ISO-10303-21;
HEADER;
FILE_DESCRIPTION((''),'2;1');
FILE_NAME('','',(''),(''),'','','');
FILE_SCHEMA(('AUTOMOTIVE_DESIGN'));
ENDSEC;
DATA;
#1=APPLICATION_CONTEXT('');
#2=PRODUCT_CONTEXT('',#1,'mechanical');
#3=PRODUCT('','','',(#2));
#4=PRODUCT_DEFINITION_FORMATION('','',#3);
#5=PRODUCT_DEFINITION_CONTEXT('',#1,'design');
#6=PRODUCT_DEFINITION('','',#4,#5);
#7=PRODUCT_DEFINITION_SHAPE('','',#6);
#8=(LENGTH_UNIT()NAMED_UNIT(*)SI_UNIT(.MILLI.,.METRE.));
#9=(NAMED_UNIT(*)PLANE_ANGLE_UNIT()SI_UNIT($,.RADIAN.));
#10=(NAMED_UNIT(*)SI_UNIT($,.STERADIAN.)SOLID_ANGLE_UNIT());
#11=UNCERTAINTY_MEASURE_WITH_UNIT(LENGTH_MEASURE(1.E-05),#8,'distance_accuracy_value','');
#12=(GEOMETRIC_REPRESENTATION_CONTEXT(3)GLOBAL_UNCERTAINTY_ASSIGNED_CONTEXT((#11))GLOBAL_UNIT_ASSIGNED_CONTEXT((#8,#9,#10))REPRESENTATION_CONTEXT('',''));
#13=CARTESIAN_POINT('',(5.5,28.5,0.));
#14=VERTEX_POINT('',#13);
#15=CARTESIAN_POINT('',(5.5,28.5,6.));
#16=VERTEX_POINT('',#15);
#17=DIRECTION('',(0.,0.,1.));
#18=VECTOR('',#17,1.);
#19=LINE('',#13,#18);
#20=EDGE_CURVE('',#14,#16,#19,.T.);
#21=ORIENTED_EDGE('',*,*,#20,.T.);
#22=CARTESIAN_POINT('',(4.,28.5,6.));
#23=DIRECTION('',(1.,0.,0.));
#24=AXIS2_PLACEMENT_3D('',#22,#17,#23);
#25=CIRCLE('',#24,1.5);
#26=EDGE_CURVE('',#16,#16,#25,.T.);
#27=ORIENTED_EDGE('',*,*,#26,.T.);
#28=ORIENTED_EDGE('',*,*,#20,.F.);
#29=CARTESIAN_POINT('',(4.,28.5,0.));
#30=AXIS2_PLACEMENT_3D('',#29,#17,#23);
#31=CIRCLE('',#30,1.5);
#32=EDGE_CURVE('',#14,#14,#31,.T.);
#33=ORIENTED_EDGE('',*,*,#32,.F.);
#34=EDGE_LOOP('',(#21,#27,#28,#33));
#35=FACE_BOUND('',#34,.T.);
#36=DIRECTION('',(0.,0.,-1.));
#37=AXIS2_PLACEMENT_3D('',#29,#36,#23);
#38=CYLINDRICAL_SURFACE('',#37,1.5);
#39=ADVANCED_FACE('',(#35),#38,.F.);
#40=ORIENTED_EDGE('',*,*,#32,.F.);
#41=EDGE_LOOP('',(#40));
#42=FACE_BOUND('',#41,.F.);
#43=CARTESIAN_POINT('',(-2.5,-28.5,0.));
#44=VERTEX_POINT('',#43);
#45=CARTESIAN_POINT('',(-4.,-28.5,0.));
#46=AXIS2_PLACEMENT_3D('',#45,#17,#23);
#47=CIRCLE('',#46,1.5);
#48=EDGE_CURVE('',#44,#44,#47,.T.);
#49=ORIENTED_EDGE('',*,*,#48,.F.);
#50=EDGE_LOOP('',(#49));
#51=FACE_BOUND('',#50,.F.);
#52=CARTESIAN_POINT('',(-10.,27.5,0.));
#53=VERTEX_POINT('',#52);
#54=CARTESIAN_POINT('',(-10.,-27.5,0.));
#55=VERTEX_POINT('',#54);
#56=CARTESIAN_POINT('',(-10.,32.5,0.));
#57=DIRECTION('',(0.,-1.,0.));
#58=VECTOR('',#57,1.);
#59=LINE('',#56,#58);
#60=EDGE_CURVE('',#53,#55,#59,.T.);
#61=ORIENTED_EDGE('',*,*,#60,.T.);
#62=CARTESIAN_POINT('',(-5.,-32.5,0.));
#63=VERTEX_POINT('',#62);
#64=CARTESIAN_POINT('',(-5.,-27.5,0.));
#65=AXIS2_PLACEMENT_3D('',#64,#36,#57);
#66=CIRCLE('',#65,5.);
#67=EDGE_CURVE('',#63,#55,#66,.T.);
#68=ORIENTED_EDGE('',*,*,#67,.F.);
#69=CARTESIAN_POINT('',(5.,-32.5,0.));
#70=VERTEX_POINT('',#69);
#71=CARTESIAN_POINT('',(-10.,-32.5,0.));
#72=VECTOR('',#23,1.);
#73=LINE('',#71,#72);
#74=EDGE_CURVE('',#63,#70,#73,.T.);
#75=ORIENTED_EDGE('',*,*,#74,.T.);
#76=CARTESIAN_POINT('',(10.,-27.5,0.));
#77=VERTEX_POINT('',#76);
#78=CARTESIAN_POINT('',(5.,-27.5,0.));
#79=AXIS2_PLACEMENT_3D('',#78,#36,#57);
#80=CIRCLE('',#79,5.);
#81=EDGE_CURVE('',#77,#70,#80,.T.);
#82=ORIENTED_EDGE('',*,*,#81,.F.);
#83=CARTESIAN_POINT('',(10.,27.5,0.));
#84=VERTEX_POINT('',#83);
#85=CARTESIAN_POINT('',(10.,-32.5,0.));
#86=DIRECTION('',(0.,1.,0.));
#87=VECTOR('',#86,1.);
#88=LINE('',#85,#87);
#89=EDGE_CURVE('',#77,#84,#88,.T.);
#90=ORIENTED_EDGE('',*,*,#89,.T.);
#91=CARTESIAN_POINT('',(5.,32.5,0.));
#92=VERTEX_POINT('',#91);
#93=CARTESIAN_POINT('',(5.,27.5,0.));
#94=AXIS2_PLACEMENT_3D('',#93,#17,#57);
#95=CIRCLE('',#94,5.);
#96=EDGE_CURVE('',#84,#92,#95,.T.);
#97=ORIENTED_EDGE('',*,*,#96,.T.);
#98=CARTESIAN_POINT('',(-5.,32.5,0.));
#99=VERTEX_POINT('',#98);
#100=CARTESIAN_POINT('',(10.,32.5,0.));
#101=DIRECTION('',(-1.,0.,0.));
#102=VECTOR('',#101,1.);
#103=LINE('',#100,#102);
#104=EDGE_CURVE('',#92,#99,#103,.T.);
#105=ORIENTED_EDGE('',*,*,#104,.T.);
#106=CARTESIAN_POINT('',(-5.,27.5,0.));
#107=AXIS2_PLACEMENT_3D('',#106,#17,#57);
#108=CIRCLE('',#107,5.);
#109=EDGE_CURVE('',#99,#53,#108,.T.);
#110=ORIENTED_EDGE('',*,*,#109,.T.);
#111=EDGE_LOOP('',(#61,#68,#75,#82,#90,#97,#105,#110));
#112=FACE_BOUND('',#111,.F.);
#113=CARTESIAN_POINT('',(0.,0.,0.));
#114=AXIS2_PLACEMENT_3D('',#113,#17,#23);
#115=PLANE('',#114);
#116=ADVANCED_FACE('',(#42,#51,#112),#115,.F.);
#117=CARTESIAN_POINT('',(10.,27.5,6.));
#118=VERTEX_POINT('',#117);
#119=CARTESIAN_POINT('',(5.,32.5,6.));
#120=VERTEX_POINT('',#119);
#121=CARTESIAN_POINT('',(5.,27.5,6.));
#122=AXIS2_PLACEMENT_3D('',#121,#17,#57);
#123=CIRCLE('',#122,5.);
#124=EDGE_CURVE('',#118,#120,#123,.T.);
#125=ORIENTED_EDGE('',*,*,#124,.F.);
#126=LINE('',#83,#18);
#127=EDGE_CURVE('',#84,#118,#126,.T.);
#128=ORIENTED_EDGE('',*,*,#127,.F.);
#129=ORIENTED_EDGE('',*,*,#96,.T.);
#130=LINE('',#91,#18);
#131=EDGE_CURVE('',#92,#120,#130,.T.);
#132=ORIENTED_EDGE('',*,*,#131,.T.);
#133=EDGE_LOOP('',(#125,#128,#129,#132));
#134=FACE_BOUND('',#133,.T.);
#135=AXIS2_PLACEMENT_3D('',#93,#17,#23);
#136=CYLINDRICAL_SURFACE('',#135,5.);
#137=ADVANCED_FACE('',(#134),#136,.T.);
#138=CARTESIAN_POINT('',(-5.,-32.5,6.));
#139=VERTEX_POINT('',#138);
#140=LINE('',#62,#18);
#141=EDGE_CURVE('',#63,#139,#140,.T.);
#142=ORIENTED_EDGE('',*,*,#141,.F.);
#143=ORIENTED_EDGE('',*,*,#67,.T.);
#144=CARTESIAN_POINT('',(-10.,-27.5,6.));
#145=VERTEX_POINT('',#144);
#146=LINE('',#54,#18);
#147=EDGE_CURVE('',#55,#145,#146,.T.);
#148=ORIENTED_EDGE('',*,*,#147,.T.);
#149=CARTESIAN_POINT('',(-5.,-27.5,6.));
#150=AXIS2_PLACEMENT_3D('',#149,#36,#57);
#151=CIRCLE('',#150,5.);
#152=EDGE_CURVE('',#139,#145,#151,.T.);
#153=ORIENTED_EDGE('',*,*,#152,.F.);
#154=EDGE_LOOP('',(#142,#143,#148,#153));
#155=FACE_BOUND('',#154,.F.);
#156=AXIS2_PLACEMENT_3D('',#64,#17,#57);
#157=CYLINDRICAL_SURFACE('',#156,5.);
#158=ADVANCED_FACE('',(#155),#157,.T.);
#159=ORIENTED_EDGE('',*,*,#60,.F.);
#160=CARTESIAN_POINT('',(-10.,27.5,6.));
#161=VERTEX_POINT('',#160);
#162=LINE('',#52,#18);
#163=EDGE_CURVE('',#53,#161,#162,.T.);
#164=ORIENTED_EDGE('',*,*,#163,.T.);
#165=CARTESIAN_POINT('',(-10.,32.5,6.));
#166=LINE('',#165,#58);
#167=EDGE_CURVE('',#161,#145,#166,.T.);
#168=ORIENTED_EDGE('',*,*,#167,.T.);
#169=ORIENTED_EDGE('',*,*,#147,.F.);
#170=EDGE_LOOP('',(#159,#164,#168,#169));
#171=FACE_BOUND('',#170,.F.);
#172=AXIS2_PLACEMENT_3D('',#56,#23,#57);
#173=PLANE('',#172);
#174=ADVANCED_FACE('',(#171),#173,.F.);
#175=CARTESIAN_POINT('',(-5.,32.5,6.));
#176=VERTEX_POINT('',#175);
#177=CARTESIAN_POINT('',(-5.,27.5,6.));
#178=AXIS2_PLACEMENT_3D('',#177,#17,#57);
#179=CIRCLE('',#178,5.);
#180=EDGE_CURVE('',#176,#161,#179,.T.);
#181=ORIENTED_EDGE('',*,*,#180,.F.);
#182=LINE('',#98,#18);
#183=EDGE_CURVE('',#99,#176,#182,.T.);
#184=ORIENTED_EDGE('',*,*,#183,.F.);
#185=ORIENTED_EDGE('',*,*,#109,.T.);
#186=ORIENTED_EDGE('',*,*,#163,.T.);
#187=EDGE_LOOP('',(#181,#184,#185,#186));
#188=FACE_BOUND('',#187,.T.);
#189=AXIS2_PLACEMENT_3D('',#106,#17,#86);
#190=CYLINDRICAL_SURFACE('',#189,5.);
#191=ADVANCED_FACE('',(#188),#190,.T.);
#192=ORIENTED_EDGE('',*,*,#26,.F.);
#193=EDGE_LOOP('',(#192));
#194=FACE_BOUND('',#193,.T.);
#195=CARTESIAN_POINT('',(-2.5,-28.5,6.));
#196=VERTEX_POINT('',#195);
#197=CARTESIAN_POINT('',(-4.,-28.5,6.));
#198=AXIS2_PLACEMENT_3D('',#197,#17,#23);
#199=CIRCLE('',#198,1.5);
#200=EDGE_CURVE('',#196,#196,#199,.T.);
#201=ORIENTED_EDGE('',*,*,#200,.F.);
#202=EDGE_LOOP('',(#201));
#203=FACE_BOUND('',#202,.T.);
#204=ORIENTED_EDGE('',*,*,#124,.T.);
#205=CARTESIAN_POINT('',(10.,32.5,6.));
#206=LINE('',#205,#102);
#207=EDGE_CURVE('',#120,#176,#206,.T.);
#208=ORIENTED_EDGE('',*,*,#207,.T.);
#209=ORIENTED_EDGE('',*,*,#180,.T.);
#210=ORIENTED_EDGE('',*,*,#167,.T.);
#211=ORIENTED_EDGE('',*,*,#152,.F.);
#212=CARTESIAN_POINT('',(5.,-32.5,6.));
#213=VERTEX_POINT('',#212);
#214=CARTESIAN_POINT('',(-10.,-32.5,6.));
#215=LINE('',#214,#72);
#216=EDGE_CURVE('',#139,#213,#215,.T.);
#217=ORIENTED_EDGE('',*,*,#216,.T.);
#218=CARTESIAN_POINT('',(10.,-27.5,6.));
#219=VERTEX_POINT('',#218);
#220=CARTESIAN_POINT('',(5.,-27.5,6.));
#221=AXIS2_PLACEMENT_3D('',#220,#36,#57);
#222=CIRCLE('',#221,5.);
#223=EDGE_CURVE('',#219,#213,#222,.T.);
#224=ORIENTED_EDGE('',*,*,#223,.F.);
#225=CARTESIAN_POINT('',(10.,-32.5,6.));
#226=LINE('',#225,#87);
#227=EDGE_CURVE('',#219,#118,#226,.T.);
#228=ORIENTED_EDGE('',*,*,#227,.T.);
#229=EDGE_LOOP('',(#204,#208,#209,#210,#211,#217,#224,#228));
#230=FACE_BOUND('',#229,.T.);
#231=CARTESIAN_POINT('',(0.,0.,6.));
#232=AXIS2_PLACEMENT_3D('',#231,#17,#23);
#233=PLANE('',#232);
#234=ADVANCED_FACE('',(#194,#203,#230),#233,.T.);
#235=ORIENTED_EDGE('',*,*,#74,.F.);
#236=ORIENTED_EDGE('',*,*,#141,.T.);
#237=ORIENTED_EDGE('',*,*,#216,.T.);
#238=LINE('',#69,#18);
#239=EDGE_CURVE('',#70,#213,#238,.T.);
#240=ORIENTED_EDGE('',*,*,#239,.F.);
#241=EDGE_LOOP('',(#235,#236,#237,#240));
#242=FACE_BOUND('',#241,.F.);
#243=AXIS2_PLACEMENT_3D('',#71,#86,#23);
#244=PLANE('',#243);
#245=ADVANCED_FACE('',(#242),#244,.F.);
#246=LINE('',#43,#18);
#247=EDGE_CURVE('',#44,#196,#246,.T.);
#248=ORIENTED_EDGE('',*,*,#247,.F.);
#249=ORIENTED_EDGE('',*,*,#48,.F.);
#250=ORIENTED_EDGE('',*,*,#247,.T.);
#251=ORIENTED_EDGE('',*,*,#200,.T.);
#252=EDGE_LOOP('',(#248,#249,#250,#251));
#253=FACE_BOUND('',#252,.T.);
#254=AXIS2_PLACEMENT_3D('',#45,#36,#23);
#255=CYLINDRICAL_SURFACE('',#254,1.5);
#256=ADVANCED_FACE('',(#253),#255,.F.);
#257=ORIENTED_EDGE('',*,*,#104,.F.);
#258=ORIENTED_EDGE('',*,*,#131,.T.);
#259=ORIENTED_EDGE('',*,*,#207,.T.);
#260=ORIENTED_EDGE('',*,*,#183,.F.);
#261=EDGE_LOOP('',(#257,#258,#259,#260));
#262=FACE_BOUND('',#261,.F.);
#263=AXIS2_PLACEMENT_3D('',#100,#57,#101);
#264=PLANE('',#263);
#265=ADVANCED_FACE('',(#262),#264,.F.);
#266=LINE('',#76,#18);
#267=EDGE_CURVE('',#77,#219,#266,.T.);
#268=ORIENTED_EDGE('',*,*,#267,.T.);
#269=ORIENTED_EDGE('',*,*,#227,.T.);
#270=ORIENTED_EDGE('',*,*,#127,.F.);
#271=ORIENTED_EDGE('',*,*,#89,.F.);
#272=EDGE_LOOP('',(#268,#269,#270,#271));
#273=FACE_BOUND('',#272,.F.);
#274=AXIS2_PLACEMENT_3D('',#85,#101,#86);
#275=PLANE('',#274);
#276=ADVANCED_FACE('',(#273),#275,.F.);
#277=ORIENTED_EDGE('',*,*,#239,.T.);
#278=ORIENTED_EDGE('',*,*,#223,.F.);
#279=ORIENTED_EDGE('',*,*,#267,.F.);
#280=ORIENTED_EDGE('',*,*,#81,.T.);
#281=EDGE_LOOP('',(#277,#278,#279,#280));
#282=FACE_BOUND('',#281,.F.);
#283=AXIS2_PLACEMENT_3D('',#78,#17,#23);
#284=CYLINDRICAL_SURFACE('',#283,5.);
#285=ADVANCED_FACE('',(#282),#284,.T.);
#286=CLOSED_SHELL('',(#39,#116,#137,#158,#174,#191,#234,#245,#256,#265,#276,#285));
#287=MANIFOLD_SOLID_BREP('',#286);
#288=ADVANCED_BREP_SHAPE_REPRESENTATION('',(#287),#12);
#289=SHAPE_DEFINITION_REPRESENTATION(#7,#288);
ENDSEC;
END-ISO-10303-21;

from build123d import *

# Parameters (mm, degrees)
F0_R     = 1.5
F1_DEPTH = 6
F2_R     = 5


with BuildPart() as f1:
    # F0 (on Top) → F1 (new body)
    with BuildSketch(Plane.XY):
        Polygon((5.749487, -32.5), (10, -32.5), (10, 32.5), (-10, 32.5), (-10, -32.5), (0.5, -32.5), align=None)
        with Locations((-4, -28.5)):
            Circle(F0_R, mode=Mode.SUBTRACT)
        with Locations((4, 28.5)):
            Circle(F0_R, mode=Mode.SUBTRACT)
    extrude(amount=F1_DEPTH)

    # F2
    f2_edges = [f1.edges().sort_by_distance(p)[0] for p in [
        (-10, 32.5, 3),
        (10, 32.5, 3),
        (10, -32.5, 3),
        (-10, -32.5, 3),
    ]]
    fillet(f2_edges, radius=F2_R)


solid = f1.part
